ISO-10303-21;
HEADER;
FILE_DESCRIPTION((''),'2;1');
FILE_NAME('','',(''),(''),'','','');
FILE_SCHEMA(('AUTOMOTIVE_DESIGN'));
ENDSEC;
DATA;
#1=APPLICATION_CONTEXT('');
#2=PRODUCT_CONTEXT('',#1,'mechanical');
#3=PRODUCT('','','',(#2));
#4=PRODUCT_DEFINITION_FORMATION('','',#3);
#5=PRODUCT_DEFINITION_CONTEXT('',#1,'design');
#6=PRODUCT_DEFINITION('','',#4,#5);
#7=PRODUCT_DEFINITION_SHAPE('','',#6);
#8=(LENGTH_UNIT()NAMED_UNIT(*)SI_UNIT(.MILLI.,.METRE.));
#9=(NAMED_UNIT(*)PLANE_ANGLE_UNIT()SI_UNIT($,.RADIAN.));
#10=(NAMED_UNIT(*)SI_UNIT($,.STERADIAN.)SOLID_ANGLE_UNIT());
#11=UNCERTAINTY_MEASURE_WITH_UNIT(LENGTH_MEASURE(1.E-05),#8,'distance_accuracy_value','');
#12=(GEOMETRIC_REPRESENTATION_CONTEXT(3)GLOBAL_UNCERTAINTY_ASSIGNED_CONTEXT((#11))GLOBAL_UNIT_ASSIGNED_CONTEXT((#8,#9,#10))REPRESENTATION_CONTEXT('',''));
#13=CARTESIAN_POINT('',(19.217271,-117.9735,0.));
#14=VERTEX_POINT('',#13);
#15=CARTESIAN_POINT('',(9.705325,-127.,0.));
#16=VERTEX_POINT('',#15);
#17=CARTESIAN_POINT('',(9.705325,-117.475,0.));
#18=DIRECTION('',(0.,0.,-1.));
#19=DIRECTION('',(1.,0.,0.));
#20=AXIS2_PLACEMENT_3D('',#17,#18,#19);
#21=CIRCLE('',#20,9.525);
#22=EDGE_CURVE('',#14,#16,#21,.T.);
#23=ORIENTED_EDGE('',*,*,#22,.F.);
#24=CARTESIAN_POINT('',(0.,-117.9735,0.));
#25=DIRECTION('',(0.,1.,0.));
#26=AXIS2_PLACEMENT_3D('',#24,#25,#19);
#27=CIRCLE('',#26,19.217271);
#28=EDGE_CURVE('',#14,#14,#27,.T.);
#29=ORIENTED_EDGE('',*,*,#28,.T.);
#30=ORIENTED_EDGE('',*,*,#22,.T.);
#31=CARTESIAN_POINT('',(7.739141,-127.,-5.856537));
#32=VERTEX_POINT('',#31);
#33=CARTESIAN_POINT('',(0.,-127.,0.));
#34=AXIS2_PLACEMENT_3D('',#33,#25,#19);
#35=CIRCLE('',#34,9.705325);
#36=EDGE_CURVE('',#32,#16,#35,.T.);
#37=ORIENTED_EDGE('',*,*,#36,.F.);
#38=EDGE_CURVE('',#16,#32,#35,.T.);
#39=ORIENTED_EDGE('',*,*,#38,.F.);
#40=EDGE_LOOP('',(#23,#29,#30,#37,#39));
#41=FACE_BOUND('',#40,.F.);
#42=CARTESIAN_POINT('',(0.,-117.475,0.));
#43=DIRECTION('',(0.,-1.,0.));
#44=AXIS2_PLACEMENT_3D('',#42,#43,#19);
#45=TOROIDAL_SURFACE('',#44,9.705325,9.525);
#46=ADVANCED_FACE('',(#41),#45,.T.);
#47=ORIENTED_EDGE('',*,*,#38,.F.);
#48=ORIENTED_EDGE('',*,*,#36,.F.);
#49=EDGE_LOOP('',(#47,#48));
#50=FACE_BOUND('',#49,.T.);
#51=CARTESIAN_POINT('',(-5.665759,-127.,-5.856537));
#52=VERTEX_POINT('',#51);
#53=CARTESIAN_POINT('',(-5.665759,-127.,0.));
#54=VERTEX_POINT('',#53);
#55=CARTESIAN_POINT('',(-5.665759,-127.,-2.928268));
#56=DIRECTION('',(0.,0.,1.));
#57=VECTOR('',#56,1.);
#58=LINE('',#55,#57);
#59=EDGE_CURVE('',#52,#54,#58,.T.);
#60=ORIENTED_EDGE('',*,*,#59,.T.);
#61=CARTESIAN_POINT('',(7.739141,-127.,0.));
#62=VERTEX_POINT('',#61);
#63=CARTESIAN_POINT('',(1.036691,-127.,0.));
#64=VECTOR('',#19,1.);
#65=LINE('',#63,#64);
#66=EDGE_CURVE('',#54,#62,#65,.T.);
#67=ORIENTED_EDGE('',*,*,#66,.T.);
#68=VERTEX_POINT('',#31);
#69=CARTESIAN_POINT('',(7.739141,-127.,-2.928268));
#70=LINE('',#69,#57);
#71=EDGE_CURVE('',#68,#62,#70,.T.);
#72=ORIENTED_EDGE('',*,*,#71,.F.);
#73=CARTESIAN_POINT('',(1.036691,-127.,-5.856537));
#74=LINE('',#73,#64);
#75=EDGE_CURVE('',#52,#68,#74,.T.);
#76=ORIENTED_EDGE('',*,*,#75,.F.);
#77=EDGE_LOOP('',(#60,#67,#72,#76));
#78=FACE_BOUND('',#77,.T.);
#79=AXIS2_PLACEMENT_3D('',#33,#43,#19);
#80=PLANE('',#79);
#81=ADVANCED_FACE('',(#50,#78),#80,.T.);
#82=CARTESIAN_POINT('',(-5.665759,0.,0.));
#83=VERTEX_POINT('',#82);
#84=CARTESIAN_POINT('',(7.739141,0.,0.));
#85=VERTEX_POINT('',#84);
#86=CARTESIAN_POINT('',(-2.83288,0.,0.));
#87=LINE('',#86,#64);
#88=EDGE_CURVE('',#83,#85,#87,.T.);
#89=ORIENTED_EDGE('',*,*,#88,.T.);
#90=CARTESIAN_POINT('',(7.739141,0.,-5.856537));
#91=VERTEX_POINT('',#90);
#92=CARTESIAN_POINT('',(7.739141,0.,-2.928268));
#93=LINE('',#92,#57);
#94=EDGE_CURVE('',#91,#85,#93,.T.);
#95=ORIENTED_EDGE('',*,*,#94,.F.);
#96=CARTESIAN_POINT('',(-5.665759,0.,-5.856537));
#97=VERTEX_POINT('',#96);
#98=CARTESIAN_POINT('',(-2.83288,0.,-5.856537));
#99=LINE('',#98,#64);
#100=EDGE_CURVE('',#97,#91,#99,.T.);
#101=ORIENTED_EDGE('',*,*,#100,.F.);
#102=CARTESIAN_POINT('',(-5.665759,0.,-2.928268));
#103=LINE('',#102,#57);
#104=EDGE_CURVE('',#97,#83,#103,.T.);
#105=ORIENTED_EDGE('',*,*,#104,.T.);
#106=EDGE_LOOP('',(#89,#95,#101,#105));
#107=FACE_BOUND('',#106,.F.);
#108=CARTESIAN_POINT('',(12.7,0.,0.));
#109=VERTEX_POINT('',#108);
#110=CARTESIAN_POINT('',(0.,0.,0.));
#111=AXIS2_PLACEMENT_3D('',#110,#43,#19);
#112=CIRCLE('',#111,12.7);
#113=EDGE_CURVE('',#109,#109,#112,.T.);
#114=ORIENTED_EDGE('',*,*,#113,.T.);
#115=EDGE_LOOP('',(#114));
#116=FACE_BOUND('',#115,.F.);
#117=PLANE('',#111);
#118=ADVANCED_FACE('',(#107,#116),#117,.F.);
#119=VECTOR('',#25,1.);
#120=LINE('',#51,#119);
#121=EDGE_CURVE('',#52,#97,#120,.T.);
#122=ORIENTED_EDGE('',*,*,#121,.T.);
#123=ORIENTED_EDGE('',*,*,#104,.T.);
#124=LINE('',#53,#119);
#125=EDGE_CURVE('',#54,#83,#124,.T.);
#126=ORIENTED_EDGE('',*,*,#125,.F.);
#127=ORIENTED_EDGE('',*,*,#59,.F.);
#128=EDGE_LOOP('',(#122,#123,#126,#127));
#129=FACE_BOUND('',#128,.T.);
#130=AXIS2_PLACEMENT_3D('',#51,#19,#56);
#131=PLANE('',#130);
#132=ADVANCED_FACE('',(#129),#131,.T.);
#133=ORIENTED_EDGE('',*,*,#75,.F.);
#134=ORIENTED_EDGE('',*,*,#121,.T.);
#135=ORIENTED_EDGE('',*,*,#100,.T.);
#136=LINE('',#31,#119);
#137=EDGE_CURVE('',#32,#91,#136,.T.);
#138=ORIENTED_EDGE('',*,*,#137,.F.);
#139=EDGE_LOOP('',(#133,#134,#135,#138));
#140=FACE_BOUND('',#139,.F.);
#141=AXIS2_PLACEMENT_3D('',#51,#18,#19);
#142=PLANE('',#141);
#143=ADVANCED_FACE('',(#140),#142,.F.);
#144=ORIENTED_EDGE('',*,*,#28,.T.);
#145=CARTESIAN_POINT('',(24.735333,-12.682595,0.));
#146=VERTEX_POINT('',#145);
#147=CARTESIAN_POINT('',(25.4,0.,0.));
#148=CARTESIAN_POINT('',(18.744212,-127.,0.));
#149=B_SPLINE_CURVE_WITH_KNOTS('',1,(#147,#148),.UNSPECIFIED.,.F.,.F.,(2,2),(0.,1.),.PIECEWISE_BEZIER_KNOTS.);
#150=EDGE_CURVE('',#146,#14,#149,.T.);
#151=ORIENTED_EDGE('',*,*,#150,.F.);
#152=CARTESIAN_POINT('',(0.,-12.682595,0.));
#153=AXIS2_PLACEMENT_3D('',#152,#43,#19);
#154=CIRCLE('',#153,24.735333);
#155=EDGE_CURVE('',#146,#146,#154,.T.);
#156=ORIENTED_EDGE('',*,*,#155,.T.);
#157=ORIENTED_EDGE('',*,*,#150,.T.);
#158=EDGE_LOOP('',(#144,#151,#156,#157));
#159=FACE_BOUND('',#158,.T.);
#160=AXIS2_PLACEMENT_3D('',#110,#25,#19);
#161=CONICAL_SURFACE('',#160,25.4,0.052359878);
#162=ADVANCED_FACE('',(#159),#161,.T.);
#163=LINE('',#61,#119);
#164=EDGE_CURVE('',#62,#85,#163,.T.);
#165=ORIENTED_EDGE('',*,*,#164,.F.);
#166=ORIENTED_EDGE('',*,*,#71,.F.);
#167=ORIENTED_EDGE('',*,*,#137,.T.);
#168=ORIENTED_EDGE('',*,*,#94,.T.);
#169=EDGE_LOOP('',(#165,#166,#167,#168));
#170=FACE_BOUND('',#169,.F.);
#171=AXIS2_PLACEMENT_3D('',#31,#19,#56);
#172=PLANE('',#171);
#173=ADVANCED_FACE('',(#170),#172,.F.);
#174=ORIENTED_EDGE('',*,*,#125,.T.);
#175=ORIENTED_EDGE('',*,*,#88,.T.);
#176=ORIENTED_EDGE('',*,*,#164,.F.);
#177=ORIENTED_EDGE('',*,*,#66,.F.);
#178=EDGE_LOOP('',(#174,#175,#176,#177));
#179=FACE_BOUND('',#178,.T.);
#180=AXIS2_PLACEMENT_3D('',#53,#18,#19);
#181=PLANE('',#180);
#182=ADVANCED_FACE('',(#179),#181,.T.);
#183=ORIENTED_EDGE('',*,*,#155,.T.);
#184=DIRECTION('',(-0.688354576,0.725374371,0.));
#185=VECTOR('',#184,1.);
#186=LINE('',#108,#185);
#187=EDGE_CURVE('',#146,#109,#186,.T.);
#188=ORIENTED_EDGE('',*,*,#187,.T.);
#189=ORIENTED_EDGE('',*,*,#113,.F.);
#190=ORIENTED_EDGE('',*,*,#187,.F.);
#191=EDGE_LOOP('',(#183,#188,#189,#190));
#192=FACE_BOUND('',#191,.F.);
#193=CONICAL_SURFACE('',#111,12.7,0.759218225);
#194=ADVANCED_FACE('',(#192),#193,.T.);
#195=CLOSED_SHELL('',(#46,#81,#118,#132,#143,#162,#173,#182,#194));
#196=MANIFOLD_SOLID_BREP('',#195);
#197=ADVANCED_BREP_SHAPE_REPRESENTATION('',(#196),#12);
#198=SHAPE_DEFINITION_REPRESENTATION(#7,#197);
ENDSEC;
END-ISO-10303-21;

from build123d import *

# Parameters (mm, degrees)
F0_R     = 25.4
F1_DEPTH = 127
F1_TAPER = 3
F2_R     = 9.525
F3_SIZE  = 12.7
F4_W     = 13.4048998849
F4_H     = 5.8565368653
F5_DEPTH = 127.001


with BuildPart() as f1:
    # F0 (on Front) → F1 (new body)
    with BuildSketch(Plane.XZ):
        Circle(F0_R)
    extrude(amount=F1_DEPTH, taper=F1_TAPER)

    # F2
    f2_edges = [f1.edges().sort_by_distance(p)[0] for p in [
        (-18.744212, -127, 0),
    ]]
    fillet(f2_edges, radius=F2_R)

    # F3
    f3_edges = [f1.edges().sort_by_distance(p)[0] for p in [
        (-25.4, 0, 0),
    ]]
    chamfer(f3_edges, length=F3_SIZE)

    # F4 (on face) → F5 (cut, through all)
    with BuildSketch(Plane.XZ.offset(127)):
        with Locations((1.0366908521, -2.9282684326)):
            Rectangle(F4_W, F4_H)
    extrude(amount=-F5_DEPTH, mode=Mode.SUBTRACT)


solid = f1.part
